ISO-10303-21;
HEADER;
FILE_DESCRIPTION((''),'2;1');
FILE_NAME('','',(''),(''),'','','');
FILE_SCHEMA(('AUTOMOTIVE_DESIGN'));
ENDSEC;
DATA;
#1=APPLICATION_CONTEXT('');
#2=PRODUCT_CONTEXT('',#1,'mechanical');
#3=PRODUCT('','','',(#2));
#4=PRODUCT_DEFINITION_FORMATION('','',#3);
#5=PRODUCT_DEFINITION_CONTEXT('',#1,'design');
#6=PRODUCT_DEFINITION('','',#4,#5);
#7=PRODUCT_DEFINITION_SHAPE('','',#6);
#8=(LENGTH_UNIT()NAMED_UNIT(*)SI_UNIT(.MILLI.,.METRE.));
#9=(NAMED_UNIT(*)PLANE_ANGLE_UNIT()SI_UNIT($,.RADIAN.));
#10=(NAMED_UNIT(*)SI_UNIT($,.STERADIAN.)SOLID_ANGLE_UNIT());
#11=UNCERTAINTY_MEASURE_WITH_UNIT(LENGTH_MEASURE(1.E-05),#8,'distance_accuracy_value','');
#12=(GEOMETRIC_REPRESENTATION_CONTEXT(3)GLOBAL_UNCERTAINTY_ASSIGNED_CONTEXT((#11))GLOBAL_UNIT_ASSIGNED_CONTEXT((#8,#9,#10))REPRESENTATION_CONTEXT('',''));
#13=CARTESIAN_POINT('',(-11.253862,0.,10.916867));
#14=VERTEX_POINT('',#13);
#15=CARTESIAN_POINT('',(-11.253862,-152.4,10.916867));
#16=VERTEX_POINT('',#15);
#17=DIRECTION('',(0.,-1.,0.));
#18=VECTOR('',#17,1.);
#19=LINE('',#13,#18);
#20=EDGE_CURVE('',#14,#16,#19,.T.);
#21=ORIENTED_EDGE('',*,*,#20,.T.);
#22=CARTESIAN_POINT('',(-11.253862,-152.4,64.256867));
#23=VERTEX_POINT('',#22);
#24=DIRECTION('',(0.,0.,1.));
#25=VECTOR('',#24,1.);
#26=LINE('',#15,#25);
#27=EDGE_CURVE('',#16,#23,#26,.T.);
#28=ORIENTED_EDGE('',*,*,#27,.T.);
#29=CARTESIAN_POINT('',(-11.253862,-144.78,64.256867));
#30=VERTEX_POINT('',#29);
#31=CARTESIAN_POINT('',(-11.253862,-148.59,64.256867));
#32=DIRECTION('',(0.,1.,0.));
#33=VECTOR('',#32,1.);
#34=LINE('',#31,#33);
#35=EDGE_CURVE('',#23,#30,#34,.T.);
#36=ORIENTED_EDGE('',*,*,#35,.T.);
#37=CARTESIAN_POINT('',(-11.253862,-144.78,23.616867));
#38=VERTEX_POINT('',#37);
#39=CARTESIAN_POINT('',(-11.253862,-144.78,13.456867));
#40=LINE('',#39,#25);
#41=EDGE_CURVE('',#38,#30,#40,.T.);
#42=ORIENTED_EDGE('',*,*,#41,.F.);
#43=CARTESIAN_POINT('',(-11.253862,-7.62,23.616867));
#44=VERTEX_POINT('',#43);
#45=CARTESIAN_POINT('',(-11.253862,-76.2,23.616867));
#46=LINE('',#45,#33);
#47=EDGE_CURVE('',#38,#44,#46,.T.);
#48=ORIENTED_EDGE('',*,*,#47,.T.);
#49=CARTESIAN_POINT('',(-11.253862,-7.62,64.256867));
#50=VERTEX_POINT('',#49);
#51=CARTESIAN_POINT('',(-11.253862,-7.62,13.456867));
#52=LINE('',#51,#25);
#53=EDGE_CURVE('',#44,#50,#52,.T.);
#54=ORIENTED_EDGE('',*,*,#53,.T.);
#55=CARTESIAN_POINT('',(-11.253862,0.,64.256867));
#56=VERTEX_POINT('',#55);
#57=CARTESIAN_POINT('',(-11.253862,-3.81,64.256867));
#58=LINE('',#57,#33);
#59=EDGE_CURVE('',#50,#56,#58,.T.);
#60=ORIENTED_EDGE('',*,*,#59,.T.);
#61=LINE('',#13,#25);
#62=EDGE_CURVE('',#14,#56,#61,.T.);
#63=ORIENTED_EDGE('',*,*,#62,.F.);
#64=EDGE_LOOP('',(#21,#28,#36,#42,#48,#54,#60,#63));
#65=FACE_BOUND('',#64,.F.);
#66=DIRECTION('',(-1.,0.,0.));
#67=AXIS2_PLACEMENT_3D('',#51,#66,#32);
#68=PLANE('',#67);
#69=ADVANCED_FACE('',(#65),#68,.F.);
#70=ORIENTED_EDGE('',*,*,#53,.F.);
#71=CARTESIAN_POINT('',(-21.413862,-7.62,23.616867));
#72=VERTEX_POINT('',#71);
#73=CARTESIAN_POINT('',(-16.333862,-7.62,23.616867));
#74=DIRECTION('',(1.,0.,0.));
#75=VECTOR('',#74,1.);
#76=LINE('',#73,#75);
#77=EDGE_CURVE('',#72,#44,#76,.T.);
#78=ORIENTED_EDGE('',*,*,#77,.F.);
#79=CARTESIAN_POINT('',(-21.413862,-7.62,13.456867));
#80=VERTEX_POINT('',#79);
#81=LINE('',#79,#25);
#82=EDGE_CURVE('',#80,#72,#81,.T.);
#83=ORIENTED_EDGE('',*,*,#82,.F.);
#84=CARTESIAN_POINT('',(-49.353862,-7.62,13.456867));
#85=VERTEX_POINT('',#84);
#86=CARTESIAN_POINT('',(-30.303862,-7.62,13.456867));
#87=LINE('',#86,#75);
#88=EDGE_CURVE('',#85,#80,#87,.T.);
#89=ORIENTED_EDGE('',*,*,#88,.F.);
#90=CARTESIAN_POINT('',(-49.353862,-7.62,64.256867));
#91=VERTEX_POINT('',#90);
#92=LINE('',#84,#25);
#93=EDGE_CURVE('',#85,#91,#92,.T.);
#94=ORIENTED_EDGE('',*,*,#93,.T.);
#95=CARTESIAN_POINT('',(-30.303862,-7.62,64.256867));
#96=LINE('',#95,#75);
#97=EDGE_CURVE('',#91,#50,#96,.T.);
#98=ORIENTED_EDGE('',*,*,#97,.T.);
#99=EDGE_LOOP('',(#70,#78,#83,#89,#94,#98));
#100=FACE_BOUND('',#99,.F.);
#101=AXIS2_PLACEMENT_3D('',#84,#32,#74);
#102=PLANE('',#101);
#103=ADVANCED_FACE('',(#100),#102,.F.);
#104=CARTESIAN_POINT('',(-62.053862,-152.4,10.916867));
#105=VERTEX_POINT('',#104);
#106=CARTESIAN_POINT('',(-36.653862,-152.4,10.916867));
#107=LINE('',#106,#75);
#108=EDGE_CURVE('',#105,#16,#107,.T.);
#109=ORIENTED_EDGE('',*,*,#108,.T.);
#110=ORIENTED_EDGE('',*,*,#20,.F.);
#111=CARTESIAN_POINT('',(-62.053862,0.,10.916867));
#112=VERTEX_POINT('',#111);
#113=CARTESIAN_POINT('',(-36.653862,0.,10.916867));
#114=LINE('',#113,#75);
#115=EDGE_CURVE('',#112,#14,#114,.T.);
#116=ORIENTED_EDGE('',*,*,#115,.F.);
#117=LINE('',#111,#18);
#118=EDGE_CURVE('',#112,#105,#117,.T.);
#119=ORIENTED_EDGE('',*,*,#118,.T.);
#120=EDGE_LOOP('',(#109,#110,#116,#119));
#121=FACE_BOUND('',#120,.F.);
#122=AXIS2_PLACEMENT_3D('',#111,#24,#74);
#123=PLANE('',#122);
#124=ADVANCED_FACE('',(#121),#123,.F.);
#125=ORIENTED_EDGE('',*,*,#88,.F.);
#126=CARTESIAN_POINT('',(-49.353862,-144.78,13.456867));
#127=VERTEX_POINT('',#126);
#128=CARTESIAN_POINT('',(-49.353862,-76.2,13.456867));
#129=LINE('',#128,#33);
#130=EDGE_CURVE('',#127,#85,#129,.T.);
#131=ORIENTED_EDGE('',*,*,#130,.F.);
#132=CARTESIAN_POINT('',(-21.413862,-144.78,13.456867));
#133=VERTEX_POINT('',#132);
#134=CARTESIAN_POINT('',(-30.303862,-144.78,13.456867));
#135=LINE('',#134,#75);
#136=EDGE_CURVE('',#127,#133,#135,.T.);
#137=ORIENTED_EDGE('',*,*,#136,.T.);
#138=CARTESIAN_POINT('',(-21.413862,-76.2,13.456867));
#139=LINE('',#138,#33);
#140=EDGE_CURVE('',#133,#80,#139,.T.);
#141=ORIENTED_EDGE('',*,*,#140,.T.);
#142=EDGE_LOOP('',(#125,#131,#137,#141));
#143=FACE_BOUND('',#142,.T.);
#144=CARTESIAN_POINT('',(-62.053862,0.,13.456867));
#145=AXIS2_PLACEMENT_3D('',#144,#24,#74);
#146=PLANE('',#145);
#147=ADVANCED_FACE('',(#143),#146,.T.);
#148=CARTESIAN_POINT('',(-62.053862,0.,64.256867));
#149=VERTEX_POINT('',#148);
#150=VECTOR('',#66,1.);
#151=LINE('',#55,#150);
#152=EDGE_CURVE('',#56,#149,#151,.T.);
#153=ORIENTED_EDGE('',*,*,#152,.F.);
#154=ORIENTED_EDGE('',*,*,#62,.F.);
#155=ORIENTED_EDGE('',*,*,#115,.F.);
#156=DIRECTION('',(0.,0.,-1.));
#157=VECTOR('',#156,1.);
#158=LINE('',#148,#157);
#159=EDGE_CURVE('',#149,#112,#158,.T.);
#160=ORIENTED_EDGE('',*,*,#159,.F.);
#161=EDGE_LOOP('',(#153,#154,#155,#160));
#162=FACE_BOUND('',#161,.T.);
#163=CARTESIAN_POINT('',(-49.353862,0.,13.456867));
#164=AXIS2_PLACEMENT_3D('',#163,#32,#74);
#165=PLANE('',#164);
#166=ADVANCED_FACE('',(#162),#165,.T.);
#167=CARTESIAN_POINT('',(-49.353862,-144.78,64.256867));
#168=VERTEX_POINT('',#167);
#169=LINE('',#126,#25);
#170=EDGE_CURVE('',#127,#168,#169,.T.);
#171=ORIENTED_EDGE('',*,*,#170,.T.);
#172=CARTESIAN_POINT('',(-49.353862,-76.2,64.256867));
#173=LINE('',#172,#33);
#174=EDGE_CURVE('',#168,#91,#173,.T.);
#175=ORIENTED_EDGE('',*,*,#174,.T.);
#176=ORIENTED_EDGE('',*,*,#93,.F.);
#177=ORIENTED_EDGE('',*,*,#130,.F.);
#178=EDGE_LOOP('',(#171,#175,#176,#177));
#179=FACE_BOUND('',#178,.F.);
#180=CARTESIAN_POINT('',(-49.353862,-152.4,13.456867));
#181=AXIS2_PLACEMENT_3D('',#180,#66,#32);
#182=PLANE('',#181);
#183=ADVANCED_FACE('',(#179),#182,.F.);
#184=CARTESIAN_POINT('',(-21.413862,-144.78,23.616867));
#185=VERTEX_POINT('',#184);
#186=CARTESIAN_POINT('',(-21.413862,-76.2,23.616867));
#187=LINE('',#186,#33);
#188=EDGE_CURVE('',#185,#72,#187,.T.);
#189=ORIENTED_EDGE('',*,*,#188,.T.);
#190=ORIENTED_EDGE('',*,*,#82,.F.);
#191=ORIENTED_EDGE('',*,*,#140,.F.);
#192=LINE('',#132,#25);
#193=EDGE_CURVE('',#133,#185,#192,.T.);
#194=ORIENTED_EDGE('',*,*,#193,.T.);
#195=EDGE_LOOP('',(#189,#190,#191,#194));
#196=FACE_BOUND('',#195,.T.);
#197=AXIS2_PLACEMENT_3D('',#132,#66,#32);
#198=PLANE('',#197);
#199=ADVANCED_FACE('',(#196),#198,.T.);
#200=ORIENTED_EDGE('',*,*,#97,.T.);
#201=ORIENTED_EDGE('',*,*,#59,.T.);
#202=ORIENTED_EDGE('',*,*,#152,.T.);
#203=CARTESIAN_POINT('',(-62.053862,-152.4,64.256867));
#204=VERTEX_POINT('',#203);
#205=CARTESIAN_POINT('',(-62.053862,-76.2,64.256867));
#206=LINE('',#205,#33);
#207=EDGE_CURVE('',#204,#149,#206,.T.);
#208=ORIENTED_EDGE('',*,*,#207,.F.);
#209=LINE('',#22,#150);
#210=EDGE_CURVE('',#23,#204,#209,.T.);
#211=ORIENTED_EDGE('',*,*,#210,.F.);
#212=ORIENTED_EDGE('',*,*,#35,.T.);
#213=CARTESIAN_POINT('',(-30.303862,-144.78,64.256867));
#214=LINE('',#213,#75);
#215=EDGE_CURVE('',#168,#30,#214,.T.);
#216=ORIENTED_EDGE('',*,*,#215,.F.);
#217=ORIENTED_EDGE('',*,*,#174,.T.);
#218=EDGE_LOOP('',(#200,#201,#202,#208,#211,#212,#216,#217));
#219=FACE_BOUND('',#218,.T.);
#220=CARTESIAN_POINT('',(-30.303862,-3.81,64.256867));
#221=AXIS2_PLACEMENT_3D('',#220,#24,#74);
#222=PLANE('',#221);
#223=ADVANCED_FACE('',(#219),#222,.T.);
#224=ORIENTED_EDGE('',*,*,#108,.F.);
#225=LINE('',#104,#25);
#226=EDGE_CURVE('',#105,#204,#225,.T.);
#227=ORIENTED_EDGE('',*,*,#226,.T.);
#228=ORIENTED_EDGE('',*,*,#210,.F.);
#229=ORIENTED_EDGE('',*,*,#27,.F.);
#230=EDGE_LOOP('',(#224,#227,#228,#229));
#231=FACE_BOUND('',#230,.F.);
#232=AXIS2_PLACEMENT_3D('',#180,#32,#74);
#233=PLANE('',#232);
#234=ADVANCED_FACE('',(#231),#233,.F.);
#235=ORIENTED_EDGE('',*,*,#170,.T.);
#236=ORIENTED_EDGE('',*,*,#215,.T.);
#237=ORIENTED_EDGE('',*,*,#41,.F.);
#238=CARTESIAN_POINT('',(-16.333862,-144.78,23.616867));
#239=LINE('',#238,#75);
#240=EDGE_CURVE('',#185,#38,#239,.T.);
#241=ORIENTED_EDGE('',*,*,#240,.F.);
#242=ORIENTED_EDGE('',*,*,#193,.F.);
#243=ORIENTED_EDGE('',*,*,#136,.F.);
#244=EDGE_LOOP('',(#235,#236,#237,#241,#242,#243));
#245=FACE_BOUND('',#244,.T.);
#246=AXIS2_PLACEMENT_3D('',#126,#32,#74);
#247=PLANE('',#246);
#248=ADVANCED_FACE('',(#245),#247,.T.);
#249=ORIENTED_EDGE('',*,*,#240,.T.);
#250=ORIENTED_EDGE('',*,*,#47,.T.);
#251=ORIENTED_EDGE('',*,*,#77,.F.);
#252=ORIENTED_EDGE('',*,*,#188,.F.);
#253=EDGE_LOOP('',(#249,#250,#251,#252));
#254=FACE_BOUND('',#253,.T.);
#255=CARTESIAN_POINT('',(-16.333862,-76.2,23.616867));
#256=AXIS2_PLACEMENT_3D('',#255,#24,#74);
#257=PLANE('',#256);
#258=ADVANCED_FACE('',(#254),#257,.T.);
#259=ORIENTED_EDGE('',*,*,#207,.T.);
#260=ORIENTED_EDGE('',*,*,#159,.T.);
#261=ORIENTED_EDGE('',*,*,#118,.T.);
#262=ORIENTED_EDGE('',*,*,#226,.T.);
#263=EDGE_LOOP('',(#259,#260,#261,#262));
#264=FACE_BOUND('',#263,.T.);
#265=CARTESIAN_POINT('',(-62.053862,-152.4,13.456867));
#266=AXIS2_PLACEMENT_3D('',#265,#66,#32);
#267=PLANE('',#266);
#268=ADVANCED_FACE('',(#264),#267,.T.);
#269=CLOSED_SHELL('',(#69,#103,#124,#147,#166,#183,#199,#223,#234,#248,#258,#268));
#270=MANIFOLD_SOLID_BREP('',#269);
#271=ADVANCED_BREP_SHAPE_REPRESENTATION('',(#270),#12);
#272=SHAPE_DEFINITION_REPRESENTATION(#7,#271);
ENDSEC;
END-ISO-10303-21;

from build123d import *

# Parameters (mm, degrees)
F0_W     = 50.8
F0_H     = 2.54
F1_DEPTH = 152.4
F2_W     = 12.7
F2_H     = 152.4
F3_DEPTH = 50.8
F4_W     = 38.1
F4_H     = 7.62
F5_DEPTH = 50.8
F6_DEPTH = 50.8
F7_W     = 10.16
F7_H     = 137.16
F8_DEPTH = 10.16


with BuildPart() as f1:
    # F0 (on Front) → F1 (new body)
    with BuildSketch(Plane.XZ):
        with Locations((-36.653862, 12.186867)):
            Rectangle(F0_W, F0_H)
    extrude(amount=F1_DEPTH)

    # F2 (on face) → F3 (join)
    with BuildSketch(Plane.XY.offset(13.456867)):
        with Locations((-55.703862, -76.2)):
            Rectangle(F2_W, F2_H)
    extrude(amount=F3_DEPTH)

    # F4 (on face) → F5 (join)
    with BuildSketch(Plane.XY.offset(13.456867)):
        with Locations((-30.303862, -148.59)):
            Rectangle(F4_W, F4_H)
    extrude(amount=F5_DEPTH)

    # F4 (on face) → F6 (join)
    with BuildSketch(Plane.XY.offset(13.456867)):
        with Locations((-30.303862, -3.81)):
            Rectangle(F4_W, F4_H)
    extrude(amount=F6_DEPTH)

    # F7 (on face) → F8 (join)
    with BuildSketch(Plane.XY.offset(13.456867)):
        with Locations((-16.333862, -76.2)):
            Rectangle(F7_W, F7_H)
    extrude(amount=F8_DEPTH)


solid = f1.part
